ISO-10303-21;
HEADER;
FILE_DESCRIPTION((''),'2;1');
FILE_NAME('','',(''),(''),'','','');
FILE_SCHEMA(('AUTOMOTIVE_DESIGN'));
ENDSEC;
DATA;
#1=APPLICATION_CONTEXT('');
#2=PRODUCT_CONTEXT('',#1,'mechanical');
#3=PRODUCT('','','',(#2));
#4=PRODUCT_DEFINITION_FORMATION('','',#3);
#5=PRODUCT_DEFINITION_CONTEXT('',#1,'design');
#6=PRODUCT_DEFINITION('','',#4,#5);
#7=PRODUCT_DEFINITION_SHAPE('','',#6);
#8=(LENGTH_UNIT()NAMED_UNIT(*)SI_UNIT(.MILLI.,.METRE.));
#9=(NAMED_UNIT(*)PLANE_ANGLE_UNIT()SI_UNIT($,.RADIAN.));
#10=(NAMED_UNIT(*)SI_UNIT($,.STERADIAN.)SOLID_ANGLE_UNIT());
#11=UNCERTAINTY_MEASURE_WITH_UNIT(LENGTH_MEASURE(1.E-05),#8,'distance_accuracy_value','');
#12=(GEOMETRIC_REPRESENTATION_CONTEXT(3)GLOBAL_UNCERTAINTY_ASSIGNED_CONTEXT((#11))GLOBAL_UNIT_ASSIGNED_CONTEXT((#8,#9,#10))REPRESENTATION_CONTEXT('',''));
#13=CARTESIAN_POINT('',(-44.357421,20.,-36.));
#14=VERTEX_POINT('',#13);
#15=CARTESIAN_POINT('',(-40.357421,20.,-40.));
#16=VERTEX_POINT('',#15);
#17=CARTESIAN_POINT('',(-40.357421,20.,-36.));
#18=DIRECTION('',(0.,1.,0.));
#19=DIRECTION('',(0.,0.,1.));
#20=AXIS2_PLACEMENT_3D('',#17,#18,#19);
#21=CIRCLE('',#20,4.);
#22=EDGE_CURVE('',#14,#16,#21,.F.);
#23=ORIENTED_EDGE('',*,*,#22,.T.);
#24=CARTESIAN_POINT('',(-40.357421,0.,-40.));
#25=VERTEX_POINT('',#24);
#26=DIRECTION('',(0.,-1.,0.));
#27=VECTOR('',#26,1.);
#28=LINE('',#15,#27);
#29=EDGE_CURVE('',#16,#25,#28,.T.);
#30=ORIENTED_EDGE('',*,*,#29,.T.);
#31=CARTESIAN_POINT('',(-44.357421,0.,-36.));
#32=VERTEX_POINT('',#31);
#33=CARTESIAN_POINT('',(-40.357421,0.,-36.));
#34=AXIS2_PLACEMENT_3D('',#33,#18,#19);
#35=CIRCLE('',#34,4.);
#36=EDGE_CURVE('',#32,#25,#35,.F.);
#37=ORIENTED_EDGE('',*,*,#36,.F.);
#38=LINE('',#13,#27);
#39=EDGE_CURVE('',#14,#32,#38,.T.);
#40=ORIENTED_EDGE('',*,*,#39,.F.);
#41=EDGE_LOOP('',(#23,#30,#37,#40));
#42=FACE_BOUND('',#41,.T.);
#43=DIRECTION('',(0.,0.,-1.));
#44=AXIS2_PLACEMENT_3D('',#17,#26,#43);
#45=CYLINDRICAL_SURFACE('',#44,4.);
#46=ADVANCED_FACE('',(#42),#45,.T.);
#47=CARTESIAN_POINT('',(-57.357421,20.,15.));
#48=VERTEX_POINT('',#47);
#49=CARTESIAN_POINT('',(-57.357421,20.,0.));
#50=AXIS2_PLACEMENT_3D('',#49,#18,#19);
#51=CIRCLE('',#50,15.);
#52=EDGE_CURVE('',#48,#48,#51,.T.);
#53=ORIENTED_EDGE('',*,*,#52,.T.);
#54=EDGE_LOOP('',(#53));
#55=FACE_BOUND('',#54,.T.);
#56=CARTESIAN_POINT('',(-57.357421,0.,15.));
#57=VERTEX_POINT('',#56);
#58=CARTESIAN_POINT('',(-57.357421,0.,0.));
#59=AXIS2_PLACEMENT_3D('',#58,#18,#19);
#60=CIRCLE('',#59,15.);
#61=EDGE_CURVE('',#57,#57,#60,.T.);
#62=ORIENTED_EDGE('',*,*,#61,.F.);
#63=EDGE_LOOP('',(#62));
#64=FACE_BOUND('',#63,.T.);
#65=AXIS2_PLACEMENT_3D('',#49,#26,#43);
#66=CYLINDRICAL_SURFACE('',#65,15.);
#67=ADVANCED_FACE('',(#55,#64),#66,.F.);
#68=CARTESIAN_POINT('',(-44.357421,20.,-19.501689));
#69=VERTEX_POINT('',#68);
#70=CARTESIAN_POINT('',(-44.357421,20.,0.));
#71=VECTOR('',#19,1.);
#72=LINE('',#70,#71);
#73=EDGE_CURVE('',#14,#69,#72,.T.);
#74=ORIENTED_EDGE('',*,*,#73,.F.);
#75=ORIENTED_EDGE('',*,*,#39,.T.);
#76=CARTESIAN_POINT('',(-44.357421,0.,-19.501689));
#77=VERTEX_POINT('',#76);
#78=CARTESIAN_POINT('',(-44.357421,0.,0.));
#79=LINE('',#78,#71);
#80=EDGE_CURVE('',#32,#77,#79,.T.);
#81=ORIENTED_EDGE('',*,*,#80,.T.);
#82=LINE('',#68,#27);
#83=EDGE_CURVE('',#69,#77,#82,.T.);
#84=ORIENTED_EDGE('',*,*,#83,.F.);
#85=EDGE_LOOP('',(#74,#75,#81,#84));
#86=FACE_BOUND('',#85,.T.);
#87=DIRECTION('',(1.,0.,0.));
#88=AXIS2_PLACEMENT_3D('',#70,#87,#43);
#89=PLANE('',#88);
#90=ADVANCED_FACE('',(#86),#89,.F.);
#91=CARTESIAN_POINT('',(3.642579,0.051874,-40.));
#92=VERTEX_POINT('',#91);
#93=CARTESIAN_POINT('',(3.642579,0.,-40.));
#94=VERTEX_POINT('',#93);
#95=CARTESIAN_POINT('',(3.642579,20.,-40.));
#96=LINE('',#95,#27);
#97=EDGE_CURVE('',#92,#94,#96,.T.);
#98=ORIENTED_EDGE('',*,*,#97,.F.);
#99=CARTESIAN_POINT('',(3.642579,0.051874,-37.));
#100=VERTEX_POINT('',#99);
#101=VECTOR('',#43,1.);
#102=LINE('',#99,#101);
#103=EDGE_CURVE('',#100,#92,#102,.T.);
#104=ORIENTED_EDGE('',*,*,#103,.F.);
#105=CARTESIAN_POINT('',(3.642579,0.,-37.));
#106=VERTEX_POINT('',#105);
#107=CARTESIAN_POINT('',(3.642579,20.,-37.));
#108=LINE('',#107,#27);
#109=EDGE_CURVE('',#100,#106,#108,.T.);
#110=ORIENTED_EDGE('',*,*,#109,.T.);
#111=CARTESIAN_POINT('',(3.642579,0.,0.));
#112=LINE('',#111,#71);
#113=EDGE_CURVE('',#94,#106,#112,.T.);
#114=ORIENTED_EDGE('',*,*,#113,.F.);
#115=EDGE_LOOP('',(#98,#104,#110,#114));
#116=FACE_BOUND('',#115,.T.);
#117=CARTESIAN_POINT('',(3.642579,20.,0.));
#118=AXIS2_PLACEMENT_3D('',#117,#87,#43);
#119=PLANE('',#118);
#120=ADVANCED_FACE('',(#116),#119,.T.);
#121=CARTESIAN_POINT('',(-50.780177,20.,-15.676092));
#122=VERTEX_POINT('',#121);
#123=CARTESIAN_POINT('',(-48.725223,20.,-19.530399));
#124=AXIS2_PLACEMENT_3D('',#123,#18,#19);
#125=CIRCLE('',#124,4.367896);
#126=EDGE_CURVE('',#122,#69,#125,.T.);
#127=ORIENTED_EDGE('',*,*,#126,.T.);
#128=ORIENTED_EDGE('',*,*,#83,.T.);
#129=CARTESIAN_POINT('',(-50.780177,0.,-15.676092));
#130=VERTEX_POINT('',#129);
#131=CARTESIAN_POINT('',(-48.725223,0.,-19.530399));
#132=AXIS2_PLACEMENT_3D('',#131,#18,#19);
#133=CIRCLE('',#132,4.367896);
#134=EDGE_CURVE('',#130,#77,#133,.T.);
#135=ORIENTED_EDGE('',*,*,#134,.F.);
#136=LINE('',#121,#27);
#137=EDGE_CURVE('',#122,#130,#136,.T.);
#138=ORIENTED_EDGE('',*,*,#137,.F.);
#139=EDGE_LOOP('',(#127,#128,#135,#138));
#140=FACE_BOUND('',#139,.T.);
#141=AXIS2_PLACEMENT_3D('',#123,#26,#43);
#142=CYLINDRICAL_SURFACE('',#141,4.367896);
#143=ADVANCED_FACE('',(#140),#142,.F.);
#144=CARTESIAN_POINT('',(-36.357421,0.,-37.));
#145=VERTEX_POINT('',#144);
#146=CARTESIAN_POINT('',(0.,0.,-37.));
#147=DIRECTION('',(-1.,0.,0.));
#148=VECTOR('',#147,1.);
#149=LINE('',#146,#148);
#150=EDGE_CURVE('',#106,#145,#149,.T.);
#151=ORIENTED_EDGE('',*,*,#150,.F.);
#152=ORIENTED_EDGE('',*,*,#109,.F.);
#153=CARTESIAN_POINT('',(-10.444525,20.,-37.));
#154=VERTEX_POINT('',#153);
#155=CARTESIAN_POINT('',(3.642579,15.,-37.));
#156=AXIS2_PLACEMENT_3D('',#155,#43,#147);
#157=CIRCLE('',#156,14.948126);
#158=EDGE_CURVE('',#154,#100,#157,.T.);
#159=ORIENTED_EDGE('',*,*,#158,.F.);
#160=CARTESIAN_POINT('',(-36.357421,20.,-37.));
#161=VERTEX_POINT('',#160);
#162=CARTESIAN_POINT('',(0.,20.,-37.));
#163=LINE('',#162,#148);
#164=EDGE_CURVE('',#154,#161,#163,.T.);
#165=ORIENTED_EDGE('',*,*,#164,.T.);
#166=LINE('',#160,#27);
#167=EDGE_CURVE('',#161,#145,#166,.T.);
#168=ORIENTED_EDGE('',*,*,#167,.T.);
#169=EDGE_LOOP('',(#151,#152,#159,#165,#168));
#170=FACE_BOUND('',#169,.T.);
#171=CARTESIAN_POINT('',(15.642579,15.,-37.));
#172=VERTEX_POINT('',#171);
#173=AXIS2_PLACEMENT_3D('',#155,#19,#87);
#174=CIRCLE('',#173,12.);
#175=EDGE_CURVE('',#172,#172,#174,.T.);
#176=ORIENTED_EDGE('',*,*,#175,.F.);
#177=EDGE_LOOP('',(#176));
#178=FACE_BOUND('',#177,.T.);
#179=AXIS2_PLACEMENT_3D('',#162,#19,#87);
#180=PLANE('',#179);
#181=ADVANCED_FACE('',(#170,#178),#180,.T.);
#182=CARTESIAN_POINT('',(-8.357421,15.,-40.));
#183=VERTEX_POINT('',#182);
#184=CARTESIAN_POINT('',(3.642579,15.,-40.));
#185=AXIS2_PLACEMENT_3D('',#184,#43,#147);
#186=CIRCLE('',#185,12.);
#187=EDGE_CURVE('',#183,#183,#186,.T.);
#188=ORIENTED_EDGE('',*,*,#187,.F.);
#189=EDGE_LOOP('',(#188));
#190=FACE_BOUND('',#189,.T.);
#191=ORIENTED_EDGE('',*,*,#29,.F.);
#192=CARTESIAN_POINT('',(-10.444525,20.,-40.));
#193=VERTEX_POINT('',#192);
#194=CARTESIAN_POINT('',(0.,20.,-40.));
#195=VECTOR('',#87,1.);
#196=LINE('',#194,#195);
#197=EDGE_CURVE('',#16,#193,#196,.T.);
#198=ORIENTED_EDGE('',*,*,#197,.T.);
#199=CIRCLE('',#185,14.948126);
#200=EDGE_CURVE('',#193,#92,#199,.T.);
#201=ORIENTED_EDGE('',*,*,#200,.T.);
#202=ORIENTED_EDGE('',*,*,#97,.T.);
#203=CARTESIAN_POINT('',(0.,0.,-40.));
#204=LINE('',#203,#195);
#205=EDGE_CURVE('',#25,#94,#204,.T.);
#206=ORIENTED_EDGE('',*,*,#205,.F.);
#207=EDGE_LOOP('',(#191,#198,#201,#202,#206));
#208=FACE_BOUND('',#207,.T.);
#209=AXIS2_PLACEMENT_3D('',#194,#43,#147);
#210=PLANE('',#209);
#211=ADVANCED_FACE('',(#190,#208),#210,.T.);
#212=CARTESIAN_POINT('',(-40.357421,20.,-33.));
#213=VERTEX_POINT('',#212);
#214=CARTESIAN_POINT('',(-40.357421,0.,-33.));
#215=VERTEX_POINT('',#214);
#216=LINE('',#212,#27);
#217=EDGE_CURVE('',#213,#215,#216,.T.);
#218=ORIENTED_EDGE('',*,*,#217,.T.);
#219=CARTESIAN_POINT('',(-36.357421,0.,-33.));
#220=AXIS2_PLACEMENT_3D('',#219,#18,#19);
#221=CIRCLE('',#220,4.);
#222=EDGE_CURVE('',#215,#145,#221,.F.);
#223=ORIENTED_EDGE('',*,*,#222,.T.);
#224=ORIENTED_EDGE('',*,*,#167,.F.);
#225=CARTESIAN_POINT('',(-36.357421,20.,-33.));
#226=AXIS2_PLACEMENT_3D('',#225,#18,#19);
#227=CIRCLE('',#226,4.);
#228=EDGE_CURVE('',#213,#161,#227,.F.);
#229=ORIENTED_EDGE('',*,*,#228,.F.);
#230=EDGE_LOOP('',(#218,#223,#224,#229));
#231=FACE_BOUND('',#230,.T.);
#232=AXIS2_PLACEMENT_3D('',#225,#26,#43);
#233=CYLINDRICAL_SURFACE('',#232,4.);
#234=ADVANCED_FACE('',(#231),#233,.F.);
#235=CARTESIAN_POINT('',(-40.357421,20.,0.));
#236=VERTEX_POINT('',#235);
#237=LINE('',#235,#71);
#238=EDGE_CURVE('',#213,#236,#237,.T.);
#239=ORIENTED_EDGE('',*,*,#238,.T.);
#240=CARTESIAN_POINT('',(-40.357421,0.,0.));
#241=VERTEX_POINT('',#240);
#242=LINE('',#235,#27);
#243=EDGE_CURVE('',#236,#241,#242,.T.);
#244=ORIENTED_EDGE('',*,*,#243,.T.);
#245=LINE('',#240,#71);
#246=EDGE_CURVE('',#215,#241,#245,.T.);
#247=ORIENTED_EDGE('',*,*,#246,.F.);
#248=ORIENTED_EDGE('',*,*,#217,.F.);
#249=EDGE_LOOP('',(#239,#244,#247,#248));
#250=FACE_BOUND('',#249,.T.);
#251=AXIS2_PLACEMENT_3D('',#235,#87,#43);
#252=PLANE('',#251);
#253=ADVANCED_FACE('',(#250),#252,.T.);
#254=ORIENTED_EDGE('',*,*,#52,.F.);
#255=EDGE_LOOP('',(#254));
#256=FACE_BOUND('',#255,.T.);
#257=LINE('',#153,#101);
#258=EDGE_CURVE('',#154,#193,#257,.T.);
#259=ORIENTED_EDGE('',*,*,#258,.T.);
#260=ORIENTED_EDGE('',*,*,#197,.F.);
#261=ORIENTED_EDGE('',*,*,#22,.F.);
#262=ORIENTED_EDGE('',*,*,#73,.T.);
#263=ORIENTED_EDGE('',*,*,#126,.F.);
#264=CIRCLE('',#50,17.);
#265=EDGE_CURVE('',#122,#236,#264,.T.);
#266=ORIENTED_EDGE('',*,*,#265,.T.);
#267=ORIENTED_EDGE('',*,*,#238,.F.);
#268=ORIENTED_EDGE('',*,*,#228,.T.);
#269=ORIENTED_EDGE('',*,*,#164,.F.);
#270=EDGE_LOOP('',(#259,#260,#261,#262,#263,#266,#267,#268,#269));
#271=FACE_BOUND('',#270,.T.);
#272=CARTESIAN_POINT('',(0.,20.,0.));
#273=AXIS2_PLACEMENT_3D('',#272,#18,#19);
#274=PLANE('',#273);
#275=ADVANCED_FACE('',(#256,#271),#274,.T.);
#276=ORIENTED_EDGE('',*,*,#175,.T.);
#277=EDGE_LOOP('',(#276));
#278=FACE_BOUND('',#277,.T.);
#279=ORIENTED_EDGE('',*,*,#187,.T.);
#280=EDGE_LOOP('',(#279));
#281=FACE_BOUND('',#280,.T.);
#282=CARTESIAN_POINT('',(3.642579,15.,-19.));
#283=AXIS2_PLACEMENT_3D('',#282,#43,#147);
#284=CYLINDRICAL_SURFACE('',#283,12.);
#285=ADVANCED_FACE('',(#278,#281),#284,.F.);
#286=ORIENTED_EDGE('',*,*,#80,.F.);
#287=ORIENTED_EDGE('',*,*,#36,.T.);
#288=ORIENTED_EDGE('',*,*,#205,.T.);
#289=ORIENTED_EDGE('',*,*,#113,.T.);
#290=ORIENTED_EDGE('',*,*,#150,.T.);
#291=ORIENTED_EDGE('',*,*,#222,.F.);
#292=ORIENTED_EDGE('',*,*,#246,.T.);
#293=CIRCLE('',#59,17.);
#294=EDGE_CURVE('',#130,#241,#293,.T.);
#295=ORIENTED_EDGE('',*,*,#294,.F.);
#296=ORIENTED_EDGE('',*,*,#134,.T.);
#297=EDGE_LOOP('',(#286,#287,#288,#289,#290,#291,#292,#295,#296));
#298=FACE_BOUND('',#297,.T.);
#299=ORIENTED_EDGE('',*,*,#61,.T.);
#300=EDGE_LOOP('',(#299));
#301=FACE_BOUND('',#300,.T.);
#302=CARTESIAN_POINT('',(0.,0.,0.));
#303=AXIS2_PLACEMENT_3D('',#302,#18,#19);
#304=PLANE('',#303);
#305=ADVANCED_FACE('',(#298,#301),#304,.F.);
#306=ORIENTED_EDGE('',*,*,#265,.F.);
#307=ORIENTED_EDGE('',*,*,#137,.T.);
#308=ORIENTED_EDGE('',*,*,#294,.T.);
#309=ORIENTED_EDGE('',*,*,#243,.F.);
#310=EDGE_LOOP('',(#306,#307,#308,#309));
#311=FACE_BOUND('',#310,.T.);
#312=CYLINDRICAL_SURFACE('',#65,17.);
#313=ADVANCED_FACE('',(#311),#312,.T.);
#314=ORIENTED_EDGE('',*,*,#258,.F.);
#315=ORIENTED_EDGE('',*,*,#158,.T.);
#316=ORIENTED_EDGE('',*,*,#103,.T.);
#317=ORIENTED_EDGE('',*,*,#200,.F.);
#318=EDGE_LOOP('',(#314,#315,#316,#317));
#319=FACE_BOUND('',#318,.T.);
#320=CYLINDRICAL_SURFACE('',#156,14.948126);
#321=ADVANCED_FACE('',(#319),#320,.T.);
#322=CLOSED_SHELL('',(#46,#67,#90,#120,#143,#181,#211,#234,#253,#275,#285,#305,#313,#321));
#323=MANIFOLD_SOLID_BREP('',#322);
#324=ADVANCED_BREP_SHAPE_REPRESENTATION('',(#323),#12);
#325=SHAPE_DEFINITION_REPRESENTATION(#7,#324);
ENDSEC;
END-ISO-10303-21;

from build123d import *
from build123d.topology import SkipClean

# Parameters (mm, degrees)
SKETCH1_R           = 15
BOSS_EXTRUDE2_DEPTH = 20
CUT_EXTRUDE2_DEPTH  = 21
BOSS_EXTRUDE3_DEPTH = 3


with BuildPart() as part:
    # Sketch1 → Boss-Extrude2 (new body)
    # profile 1 of 2: a face of its own
    with BuildSketch(Plane(origin=(0, 0, 0), x_dir=(1, 0, 0), z_dir=(0, 1, 0))):
        with BuildLine():
            ThreePointArc((-50.780177481, 15.676092064), (-71.513924264, -9.412408123), (-40.357421401, 0))
            ThreePointArc((-40.357421401, 0), (-43.025497107, 9.143081868), (-50.192238582, 15.416230251))
            ThreePointArc((-50.192238582, 15.416230251), (-50.490994878, 15.535330889), (-50.780177481, 15.676092064))
        make_face()
        with Locations(Location((-57.357421401, 0, 0), (0, 0, 270))):
            Circle(SKETCH1_R, mode=Mode.SUBTRACT)
    # profile 2 of 2: a face of its own
    with BuildSketch(Plane(origin=(0, 0, 0), x_dir=(1, 0, 0), z_dir=(0, 1, 0))):
        with BuildLine():
            Line((-40.357421401, 0), (-40.357421401, 33))
            ThreePointArc((-40.357421401, 33), (-39.185848526, 35.828427125), (-36.357421401, 37))
            Line((-36.357421401, 37), (3.642578599, 37))
            Line((3.642578599, 37), (3.642578599, 40))
            Line((3.642578599, 40), (-40.357421401, 40))
            ThreePointArc((-40.357421401, 40), (-43.185848526, 38.828427125), (-44.357421401, 36))
            Line((-44.357421401, 36), (-44.357421401, 19.501688617))
            ThreePointArc((-44.357421401, 19.501688617), (-46.219952281, 15.952391985), (-50.192238582, 15.416230251))
            ThreePointArc((-50.192238582, 15.416230251), (-43.025497107, 9.143081868), (-40.357421401, 0))
        make_face()
    extrude(amount=BOSS_EXTRUDE2_DEPTH)

    # Sketch3 → Cut-Extrude2 (cut)
    with BuildSketch(Plane(origin=(0, 0, -40), x_dir=(-1, 0, 0), z_dir=(0, 0, -1))):
        with BuildLine():
            Line((-3.642578599, 20), (-3.642578599, 3))
            ThreePointArc((-3.642578599, 3), (4.842702775, 6.514718626), (8.357421401, 15))
            ThreePointArc((8.357421401, 15), (8.081425525, 17.558852734), (7.266133516, 20))
            Line((7.266133516, 20), (-3.642578599, 20))
        make_face()
        with BuildLine():
            ThreePointArc((7.266133516, 20), (-13.742083537, 21.480740698), (-3.642578599, 3))
            Line((-3.642578599, 3), (-3.642578599, 20))
            Line((-3.642578599, 20), (7.266133516, 20))
        make_face()
    extrude(amount=-CUT_EXTRUDE2_DEPTH, mode=Mode.SUBTRACT)

    # Sketch4 → Boss-Extrude3 (add)
    with SkipClean():  # the faces are left unmerged after this step: merging them gives an invalid solid
        with BuildSketch(Plane(origin=(0, 0, -40), x_dir=(-1, 0, 0), z_dir=(0, 0, -1))):
            with BuildLine():
                Line((-3.642578599, 0.051873716), (-3.642578599, 3))
                ThreePointArc((-3.642578599, 3), (-13.742083537, 21.480740698), (7.266133516, 20))
                Line((7.266133516, 20), (10.444524701, 20))
                ThreePointArc((10.444524701, 20), (-15.852965792, 23.622814157), (-3.642578599, 0.051873716))
            make_face()
        extrude(amount=-BOSS_EXTRUDE3_DEPTH)


solid = part.part
